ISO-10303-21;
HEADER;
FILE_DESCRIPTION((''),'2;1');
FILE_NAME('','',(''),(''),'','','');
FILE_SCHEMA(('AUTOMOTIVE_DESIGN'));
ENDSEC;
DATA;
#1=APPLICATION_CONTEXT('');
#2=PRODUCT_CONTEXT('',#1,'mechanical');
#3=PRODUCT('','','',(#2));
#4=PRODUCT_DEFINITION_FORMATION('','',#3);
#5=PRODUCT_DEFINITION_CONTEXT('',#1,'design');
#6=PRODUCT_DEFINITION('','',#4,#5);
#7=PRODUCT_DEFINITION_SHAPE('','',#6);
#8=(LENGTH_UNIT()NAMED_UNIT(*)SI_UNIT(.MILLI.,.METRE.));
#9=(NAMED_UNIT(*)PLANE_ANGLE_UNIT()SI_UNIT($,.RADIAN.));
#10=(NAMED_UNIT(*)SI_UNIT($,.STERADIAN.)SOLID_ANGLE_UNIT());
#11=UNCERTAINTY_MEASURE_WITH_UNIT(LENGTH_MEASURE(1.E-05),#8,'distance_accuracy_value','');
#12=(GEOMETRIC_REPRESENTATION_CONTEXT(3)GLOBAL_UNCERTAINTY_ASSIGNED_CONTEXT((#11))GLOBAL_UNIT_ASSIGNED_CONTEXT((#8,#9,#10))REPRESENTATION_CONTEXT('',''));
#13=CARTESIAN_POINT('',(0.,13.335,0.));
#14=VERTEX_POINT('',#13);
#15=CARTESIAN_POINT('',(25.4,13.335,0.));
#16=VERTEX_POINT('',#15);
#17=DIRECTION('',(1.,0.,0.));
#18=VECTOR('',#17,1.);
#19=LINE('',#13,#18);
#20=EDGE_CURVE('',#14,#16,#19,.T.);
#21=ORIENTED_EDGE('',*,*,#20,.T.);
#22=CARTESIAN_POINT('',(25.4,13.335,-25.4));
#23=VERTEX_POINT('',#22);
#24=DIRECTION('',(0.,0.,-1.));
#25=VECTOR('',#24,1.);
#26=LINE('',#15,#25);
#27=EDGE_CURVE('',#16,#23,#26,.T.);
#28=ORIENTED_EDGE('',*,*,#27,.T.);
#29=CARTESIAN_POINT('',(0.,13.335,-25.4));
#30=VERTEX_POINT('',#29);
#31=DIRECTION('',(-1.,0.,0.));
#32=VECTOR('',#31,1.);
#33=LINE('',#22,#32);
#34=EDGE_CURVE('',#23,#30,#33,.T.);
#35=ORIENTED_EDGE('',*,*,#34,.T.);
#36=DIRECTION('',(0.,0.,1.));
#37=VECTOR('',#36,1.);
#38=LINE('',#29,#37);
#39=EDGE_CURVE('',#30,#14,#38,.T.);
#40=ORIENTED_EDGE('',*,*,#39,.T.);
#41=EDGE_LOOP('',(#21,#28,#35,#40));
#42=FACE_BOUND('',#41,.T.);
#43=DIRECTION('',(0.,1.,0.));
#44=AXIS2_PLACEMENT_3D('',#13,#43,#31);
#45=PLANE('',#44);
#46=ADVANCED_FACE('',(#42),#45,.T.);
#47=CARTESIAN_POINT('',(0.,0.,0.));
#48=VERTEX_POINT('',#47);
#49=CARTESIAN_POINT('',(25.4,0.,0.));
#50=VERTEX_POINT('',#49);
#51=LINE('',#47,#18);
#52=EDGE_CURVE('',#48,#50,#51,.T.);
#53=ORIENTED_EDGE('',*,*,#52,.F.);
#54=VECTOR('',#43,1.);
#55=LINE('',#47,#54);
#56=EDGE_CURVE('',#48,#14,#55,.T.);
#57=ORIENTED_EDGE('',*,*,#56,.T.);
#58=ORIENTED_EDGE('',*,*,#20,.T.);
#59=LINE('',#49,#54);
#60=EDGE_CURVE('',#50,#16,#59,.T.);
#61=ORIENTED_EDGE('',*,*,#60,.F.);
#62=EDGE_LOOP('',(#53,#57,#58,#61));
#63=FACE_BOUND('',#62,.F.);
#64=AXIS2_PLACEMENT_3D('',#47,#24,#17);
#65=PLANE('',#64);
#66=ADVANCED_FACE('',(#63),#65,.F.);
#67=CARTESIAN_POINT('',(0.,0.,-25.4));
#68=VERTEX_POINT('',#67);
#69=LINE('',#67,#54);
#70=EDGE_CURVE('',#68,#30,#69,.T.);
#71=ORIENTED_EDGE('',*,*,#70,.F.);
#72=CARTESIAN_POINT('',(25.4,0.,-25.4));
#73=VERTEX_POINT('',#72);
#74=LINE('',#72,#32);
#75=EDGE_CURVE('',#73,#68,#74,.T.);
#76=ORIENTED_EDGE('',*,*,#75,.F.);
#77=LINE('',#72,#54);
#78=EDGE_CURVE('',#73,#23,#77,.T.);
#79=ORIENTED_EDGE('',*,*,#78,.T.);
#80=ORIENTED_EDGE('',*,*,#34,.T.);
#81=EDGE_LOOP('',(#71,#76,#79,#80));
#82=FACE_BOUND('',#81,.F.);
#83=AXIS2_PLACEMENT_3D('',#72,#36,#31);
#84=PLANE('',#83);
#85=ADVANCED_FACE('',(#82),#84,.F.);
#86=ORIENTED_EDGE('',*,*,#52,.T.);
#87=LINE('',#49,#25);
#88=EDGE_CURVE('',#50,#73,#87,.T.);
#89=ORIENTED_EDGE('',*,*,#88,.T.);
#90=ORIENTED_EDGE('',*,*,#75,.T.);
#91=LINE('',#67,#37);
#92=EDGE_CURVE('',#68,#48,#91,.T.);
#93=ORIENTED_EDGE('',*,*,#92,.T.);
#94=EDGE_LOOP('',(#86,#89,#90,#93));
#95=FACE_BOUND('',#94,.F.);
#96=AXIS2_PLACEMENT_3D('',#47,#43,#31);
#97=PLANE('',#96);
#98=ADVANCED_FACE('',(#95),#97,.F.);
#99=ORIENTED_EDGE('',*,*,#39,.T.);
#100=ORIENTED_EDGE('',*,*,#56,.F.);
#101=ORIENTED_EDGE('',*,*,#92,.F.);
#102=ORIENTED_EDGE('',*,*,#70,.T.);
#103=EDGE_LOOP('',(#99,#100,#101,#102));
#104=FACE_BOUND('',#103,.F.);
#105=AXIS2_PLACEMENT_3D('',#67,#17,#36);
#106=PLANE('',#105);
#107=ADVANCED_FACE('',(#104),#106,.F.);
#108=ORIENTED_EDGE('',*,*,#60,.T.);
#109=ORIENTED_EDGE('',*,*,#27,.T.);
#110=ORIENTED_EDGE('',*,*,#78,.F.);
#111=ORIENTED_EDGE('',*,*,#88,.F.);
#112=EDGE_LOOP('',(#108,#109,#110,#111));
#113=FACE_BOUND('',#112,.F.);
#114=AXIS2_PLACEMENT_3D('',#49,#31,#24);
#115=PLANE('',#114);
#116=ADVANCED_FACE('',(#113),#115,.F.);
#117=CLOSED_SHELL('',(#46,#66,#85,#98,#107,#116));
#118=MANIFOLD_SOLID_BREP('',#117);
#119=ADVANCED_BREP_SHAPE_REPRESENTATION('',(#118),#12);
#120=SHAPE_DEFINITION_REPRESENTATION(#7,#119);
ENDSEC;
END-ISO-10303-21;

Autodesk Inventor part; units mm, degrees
ref_plane "YZ Plane" through (0, 0, 0) normal (1, 0, 0) x (0, 1, 0)
ref_plane "XZ Plane" through (0, 0, 0) normal (0, 1, 0) x (-1, 0, 0)
ref_plane "XY Plane" through (0, 0, 0) normal (0, 0, 1) x (1, 0, 0)
sketch "Sketch1" plane through (0, 0, 0) normal (0, 1, 0) x (-1, 0, 0)
  line L0 (0, 0) -> (-25.4, 0)
  line L1 (-25.4, 0) -> (-25.4, -25.4)
  line L2 (-25.4, -25.4) -> (0, -25.4)
  line L3 (0, -25.4) -> (0, 0)
  dimension "d0" = 25.4
  dimension "d1" = 25.4
extrude "Extrusion1" add sketch "Sketch1" along normal blind 13.335
properties part number "Lift spacer"
